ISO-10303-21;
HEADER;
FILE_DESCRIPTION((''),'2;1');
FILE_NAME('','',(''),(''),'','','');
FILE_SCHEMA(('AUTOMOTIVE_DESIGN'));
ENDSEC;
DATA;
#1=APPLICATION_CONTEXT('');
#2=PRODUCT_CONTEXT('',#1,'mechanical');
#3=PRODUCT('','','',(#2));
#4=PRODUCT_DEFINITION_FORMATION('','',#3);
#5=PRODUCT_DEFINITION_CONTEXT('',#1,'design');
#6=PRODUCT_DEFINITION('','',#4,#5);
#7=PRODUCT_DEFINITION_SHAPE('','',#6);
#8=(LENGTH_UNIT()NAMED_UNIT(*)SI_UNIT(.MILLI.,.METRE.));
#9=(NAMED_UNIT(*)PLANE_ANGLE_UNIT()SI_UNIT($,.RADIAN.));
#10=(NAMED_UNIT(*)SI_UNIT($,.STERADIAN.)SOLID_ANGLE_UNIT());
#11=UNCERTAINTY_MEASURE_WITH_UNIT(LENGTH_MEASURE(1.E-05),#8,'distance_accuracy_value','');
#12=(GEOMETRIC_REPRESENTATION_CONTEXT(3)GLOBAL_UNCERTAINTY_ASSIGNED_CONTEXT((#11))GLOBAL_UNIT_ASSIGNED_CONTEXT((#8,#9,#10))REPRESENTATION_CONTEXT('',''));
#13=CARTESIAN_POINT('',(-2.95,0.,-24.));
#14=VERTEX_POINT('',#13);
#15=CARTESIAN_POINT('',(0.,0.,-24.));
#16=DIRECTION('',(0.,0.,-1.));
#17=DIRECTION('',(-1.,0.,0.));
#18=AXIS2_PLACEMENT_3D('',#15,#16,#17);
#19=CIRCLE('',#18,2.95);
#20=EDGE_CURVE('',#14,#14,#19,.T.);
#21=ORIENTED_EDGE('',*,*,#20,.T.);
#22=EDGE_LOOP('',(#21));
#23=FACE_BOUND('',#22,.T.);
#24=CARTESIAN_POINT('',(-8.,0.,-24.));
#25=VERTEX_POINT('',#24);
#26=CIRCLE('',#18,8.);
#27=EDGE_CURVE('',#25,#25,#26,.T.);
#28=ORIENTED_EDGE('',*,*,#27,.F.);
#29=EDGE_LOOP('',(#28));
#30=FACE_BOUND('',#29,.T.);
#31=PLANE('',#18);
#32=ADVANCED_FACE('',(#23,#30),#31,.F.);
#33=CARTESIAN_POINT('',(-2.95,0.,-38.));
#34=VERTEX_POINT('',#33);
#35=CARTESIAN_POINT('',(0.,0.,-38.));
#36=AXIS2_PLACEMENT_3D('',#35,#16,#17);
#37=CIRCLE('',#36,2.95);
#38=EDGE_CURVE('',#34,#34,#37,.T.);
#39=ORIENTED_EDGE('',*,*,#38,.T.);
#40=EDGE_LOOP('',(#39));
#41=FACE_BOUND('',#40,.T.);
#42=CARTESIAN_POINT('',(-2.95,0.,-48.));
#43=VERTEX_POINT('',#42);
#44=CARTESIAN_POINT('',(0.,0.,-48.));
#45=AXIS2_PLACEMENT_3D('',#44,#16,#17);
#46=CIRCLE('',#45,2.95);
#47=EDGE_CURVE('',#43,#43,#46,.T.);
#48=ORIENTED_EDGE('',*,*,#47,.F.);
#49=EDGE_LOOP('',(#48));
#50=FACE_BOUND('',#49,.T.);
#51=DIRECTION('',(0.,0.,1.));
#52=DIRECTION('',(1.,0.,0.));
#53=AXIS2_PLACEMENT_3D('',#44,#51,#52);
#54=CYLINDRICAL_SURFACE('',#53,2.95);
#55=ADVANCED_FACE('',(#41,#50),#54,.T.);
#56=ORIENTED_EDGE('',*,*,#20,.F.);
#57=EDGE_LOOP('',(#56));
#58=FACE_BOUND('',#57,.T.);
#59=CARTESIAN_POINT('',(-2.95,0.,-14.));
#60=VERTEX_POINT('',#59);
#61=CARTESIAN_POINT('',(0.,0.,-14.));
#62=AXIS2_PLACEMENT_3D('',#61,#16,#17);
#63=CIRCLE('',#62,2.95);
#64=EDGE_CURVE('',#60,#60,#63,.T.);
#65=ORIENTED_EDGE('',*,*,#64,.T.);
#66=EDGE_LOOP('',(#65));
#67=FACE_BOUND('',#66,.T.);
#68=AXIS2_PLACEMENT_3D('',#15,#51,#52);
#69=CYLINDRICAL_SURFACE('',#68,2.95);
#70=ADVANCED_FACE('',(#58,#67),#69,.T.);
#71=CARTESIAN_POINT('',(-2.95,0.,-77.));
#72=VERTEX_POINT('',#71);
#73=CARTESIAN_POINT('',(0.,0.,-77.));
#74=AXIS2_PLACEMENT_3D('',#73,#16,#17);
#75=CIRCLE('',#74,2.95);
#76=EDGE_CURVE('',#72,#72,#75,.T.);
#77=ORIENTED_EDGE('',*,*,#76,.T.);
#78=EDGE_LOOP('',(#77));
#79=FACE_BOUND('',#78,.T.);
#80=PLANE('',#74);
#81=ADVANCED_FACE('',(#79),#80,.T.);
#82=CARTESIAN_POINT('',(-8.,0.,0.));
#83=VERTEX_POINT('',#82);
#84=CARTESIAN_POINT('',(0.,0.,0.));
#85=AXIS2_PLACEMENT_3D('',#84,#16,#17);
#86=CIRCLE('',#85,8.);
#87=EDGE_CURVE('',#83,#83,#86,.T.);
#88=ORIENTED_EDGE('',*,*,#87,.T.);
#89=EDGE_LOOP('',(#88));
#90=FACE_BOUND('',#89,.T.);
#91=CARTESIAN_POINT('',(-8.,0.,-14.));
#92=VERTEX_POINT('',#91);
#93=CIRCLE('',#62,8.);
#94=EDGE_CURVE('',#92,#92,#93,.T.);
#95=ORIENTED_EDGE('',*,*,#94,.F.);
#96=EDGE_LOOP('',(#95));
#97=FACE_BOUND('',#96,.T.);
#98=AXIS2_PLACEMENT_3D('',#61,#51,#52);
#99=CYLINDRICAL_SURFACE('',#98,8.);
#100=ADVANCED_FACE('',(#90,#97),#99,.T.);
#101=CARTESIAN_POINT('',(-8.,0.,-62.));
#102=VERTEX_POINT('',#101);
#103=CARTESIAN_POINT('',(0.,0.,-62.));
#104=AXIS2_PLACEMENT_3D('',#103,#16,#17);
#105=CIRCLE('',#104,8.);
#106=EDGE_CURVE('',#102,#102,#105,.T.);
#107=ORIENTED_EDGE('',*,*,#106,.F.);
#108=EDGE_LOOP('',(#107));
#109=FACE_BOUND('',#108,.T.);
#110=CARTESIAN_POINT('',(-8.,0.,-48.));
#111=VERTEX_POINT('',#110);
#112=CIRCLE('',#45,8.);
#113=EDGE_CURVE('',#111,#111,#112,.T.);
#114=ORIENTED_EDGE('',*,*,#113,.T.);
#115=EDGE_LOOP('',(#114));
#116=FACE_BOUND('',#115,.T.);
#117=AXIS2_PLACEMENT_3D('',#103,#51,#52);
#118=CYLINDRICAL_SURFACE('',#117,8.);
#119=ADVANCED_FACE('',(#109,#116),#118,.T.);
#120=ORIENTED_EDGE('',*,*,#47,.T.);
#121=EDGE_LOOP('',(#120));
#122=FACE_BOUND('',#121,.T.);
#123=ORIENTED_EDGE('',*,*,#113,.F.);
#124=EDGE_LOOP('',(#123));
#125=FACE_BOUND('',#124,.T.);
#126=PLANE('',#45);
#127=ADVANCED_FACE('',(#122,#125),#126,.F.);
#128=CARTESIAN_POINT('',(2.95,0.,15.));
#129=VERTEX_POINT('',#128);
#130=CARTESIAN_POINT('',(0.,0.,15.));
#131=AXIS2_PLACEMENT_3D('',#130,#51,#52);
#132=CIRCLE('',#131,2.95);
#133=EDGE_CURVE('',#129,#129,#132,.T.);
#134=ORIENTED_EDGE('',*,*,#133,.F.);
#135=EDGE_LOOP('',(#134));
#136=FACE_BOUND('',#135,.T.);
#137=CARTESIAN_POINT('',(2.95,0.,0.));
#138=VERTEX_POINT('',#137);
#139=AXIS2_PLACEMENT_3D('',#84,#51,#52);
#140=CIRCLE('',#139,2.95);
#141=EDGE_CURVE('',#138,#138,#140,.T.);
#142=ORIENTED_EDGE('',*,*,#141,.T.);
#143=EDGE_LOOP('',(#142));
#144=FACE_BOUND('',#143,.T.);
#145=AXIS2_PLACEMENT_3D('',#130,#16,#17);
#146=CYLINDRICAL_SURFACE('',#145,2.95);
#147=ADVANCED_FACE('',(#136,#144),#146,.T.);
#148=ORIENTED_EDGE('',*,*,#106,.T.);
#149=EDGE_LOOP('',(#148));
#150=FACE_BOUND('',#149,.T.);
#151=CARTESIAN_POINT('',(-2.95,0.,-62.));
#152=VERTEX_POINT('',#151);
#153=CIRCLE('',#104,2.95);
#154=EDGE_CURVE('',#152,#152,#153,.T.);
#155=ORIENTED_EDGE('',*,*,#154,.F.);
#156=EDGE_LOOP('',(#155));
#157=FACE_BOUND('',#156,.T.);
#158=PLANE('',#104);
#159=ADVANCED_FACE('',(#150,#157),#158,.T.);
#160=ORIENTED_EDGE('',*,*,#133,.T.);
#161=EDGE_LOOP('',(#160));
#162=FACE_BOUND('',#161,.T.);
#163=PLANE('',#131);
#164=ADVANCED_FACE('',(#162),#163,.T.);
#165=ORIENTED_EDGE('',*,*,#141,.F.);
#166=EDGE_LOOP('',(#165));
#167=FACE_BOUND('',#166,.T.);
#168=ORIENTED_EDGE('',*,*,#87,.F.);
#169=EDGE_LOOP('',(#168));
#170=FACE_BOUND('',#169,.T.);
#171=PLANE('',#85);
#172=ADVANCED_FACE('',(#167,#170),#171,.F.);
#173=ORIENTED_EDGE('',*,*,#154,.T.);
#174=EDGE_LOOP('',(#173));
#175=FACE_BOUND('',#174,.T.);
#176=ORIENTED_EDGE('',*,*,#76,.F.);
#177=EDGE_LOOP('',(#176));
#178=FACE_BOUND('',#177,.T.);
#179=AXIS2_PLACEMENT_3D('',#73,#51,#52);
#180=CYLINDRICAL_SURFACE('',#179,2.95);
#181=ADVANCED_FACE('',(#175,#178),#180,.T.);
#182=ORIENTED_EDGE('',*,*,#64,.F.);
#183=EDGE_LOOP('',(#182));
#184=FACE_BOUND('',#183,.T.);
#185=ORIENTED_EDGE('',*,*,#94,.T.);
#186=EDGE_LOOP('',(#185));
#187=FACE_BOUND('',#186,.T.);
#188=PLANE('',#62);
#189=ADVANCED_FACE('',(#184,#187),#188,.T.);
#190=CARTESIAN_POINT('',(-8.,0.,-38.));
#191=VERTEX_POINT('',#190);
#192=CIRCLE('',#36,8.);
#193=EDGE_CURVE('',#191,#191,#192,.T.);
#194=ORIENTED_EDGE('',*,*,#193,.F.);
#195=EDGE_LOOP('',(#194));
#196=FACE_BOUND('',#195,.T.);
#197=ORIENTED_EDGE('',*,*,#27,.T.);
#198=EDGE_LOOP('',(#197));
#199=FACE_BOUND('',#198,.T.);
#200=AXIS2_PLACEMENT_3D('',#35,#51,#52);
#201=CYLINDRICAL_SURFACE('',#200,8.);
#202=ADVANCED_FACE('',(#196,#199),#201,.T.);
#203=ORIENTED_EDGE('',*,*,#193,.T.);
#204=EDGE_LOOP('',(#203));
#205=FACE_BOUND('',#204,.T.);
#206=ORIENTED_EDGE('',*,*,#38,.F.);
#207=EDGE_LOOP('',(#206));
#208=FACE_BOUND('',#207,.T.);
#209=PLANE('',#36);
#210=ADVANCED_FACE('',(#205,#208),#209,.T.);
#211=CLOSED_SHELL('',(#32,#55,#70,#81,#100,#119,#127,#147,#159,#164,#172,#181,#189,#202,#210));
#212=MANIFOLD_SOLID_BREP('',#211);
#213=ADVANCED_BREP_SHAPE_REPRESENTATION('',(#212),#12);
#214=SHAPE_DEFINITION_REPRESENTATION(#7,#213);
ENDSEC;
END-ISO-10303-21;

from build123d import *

# Parameters (mm, degrees)
CROQUIS1_R              = 2.95
SALIENTE_EXTRUIR1_DEPTH = 15
CROQUIS2_R              = 8
SALIENTE_EXTRUIR2_DEPTH = 14
SALIENTE_EXTRUIR3_START = 10
CROQUIS3_R              = 2.95
SALIENTE_EXTRUIR3_DEPTH = 10
CROQUIS4_R              = 8
SALIENTE_EXTRUIR4_DEPTH = 14
SALIENTE_EXTRUIR5_START = 10
CROQUIS5_R              = 2.95
SALIENTE_EXTRUIR5_DEPTH = 10
CROQUIS6_R              = 8
SALIENTE_EXTRUIR6_DEPTH = 14
SALIENTE_EXTRUIR7_START = 15
CROQUIS7_R              = 2.95
SALIENTE_EXTRUIR7_DEPTH = 15


with BuildPart() as part:
    # Croquis1 → Saliente-Extruir1 (new body)
    with BuildSketch(Plane.XY):
        Circle(CROQUIS1_R)
    extrude(amount=SALIENTE_EXTRUIR1_DEPTH)

    # Croquis2 → Saliente-Extruir2 (add)
    with BuildSketch(Plane(origin=(0, 0, 0), x_dir=(-1, 0, 0), z_dir=(0, 0, -1))):
        Circle(CROQUIS2_R)
    extrude(amount=SALIENTE_EXTRUIR2_DEPTH)

    # Croquis3 → Saliente-Extruir3 (add)
    with BuildSketch(Plane(origin=(0, 0, -14), x_dir=(-1, 0, 0), z_dir=(0, 0, -1)).offset(SALIENTE_EXTRUIR3_START)):
        with Locations(Location((0, 0, 0), (0, 0, 180))):
            Circle(CROQUIS3_R)
    extrude(amount=-SALIENTE_EXTRUIR3_DEPTH)

    # Croquis4 → Saliente-Extruir4 (add)
    with BuildSketch(Plane(origin=(0, 0, -24), x_dir=(-1, 0, 0), z_dir=(0, 0, -1))):
        Circle(CROQUIS4_R)
    extrude(amount=SALIENTE_EXTRUIR4_DEPTH)

    # Croquis5 → Saliente-Extruir5 (add)
    with BuildSketch(Plane(origin=(0, 0, -38), x_dir=(-1, 0, 0), z_dir=(0, 0, -1)).offset(SALIENTE_EXTRUIR5_START)):
        with Locations(Location((0, 0, 0), (0, 0, 180))):
            Circle(CROQUIS5_R)
    extrude(amount=-SALIENTE_EXTRUIR5_DEPTH)

    # Croquis6 → Saliente-Extruir6 (add)
    with BuildSketch(Plane(origin=(0, 0, -48), x_dir=(-1, 0, 0), z_dir=(0, 0, -1))):
        Circle(CROQUIS6_R)
    extrude(amount=SALIENTE_EXTRUIR6_DEPTH)

    # Croquis7 → Saliente-Extruir7 (add)
    with BuildSketch(Plane(origin=(0, 0, -62), x_dir=(-1, 0, 0), z_dir=(0, 0, -1)).offset(SALIENTE_EXTRUIR7_START)):
        with Locations(Location((0, 0, 0), (0, 0, 180))):
            Circle(CROQUIS7_R)
    extrude(amount=-SALIENTE_EXTRUIR7_DEPTH)


solid = part.part
